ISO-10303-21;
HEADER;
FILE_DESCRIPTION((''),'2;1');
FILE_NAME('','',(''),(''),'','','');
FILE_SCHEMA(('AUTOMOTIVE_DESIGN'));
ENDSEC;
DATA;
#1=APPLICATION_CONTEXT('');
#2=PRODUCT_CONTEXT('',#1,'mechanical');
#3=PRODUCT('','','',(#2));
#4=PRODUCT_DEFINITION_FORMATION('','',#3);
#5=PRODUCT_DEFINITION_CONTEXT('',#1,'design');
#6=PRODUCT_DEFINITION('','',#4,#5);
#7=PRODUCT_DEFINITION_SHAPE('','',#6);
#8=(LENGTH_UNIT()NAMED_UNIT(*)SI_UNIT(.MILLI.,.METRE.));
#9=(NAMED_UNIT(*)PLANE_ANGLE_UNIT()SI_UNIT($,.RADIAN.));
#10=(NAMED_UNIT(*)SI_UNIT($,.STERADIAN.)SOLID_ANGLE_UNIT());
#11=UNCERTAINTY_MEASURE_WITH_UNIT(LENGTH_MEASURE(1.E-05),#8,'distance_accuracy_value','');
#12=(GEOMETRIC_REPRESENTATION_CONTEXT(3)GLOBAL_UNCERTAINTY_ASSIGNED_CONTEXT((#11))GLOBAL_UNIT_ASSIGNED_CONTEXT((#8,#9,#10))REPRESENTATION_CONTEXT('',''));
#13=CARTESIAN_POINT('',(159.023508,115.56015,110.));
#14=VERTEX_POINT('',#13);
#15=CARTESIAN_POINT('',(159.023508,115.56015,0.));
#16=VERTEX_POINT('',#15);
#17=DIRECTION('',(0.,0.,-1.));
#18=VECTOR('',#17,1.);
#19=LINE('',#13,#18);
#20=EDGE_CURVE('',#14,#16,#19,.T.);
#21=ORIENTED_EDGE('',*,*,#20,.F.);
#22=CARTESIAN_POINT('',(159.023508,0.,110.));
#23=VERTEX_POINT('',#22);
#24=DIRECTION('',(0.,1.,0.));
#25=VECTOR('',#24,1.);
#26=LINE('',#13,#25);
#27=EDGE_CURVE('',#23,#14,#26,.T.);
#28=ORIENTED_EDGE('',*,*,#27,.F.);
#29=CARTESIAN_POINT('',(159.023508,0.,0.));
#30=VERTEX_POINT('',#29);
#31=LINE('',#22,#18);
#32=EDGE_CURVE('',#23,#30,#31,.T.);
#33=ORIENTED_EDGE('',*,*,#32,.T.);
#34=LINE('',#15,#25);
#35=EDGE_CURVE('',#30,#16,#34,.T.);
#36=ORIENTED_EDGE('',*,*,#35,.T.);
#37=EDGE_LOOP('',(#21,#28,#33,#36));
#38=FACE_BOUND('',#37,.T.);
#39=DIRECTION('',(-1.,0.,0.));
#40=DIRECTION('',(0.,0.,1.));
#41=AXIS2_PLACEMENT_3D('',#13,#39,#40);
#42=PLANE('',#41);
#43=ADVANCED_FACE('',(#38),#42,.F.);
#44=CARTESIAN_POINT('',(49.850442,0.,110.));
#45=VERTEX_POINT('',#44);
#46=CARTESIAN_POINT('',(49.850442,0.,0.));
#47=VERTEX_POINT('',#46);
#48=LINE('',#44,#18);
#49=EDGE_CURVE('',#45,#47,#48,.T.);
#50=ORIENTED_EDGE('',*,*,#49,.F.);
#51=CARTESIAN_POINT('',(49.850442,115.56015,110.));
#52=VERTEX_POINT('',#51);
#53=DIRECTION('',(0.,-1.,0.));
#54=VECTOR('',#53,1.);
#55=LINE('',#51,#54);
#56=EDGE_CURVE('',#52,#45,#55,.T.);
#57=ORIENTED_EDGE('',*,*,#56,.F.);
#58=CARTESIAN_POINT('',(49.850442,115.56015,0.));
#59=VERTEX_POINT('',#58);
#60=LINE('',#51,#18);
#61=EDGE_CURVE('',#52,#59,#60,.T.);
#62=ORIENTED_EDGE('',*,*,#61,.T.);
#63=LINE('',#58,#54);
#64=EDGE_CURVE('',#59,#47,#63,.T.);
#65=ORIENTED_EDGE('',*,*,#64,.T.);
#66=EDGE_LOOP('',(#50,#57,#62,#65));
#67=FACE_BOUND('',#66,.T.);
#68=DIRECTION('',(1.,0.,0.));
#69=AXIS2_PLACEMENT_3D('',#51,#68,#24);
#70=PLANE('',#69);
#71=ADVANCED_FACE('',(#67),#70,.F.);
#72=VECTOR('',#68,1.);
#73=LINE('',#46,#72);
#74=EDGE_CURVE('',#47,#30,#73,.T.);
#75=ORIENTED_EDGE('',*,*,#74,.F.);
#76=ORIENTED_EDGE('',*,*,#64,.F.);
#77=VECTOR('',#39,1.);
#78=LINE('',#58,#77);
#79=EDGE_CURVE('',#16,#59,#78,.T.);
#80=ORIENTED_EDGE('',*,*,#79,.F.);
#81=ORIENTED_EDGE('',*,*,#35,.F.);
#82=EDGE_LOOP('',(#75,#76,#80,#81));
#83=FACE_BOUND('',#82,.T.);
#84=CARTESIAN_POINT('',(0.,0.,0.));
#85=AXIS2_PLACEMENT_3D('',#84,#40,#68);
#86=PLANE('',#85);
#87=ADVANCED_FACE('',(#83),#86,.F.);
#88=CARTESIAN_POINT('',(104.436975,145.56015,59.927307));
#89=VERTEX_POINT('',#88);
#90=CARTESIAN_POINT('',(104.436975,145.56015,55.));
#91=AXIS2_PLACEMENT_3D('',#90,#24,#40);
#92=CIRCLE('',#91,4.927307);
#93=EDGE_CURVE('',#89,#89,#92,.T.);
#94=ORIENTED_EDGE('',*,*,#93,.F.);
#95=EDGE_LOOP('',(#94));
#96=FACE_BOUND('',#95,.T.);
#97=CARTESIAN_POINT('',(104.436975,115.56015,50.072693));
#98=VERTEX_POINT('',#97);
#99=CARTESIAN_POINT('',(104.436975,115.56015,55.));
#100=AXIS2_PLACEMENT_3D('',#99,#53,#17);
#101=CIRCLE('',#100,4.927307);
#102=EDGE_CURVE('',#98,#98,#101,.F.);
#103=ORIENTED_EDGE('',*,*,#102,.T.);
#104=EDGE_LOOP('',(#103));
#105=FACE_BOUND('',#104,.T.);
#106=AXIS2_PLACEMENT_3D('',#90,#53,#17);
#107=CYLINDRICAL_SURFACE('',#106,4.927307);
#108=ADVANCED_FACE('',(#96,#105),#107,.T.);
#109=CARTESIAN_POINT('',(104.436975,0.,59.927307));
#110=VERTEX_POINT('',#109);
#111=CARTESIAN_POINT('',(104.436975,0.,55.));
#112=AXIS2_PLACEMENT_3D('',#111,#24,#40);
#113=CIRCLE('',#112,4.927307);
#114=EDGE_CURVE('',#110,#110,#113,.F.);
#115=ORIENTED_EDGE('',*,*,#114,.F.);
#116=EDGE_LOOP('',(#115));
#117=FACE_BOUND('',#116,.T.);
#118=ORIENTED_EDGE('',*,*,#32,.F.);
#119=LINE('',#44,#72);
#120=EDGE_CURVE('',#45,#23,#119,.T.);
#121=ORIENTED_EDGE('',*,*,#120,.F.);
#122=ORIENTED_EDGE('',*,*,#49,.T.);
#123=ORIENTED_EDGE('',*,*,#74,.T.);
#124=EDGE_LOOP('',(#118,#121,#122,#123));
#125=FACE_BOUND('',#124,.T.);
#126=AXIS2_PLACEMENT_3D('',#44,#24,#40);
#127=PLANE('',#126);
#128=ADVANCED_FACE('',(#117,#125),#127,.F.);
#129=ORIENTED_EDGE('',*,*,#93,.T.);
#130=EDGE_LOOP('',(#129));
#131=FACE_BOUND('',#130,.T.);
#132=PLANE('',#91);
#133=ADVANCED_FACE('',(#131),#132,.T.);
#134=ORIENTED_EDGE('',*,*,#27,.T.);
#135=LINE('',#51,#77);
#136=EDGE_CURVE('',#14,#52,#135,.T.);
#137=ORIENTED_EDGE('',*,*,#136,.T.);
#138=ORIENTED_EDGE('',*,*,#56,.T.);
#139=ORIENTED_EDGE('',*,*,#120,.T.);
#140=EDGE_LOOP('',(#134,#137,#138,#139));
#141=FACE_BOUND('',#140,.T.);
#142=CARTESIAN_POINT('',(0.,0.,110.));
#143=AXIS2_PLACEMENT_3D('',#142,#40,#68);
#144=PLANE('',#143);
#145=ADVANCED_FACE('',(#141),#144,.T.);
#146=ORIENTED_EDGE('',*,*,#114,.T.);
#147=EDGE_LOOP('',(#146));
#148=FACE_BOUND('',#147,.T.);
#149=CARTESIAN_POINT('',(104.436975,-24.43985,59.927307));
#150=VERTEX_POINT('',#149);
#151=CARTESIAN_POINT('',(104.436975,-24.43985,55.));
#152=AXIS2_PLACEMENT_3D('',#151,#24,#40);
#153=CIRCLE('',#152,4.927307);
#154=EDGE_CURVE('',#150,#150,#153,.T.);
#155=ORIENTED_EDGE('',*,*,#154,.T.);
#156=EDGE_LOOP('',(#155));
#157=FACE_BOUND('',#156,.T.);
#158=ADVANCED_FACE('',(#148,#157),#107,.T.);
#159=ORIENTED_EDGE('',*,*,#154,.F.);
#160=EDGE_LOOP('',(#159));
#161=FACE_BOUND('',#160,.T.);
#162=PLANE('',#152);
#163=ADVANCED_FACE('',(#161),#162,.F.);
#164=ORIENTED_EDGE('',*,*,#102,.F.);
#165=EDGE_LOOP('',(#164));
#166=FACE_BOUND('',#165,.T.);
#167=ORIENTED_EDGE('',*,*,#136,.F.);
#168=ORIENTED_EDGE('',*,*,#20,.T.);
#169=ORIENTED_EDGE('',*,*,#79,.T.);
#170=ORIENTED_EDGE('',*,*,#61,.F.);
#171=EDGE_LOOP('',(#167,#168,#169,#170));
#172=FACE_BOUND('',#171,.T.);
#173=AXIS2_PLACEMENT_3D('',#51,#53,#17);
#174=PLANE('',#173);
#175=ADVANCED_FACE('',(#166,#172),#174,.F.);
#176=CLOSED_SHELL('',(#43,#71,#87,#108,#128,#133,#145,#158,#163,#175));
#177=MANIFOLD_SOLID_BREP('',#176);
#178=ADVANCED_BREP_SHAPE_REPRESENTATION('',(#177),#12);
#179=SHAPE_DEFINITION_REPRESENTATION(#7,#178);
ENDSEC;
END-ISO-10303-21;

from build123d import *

# Parameters (mm, degrees)
SKETCH_1_W           = 109.173065233
SKETCH_1_H           = 115.560150299
EXTRUDE_1_DEPTH      = 110
EXTRUDE_2_DEPTH      = 30
EXTRUDE_2_DEPTH_BACK = 140
SKETCH_2_R           = 4.92730672


with BuildPart() as part:
    # 草图1 → 凸台-拉伸1 (new body)
    with BuildSketch(Plane.XY):
        with Locations((104.436974975, 57.78007515)):
            Rectangle(SKETCH_1_W, SKETCH_1_H)
    extrude(amount=EXTRUDE_1_DEPTH)

    # 草图2 → 凸台-拉伸2 (add, two sides: drawn at the far end of the back side and taken through both)
    with BuildSketch(Plane(origin=(0, 115.560150299, 0), x_dir=(1, 0, 0), z_dir=(0, 1, 0)).offset(-EXTRUDE_2_DEPTH_BACK)):
        with Locations(Location((104.436974975, -55, 0), (0, 0, 90))):
            Circle(SKETCH_2_R)
    extrude(amount=EXTRUDE_2_DEPTH + EXTRUDE_2_DEPTH_BACK)


solid = part.part
